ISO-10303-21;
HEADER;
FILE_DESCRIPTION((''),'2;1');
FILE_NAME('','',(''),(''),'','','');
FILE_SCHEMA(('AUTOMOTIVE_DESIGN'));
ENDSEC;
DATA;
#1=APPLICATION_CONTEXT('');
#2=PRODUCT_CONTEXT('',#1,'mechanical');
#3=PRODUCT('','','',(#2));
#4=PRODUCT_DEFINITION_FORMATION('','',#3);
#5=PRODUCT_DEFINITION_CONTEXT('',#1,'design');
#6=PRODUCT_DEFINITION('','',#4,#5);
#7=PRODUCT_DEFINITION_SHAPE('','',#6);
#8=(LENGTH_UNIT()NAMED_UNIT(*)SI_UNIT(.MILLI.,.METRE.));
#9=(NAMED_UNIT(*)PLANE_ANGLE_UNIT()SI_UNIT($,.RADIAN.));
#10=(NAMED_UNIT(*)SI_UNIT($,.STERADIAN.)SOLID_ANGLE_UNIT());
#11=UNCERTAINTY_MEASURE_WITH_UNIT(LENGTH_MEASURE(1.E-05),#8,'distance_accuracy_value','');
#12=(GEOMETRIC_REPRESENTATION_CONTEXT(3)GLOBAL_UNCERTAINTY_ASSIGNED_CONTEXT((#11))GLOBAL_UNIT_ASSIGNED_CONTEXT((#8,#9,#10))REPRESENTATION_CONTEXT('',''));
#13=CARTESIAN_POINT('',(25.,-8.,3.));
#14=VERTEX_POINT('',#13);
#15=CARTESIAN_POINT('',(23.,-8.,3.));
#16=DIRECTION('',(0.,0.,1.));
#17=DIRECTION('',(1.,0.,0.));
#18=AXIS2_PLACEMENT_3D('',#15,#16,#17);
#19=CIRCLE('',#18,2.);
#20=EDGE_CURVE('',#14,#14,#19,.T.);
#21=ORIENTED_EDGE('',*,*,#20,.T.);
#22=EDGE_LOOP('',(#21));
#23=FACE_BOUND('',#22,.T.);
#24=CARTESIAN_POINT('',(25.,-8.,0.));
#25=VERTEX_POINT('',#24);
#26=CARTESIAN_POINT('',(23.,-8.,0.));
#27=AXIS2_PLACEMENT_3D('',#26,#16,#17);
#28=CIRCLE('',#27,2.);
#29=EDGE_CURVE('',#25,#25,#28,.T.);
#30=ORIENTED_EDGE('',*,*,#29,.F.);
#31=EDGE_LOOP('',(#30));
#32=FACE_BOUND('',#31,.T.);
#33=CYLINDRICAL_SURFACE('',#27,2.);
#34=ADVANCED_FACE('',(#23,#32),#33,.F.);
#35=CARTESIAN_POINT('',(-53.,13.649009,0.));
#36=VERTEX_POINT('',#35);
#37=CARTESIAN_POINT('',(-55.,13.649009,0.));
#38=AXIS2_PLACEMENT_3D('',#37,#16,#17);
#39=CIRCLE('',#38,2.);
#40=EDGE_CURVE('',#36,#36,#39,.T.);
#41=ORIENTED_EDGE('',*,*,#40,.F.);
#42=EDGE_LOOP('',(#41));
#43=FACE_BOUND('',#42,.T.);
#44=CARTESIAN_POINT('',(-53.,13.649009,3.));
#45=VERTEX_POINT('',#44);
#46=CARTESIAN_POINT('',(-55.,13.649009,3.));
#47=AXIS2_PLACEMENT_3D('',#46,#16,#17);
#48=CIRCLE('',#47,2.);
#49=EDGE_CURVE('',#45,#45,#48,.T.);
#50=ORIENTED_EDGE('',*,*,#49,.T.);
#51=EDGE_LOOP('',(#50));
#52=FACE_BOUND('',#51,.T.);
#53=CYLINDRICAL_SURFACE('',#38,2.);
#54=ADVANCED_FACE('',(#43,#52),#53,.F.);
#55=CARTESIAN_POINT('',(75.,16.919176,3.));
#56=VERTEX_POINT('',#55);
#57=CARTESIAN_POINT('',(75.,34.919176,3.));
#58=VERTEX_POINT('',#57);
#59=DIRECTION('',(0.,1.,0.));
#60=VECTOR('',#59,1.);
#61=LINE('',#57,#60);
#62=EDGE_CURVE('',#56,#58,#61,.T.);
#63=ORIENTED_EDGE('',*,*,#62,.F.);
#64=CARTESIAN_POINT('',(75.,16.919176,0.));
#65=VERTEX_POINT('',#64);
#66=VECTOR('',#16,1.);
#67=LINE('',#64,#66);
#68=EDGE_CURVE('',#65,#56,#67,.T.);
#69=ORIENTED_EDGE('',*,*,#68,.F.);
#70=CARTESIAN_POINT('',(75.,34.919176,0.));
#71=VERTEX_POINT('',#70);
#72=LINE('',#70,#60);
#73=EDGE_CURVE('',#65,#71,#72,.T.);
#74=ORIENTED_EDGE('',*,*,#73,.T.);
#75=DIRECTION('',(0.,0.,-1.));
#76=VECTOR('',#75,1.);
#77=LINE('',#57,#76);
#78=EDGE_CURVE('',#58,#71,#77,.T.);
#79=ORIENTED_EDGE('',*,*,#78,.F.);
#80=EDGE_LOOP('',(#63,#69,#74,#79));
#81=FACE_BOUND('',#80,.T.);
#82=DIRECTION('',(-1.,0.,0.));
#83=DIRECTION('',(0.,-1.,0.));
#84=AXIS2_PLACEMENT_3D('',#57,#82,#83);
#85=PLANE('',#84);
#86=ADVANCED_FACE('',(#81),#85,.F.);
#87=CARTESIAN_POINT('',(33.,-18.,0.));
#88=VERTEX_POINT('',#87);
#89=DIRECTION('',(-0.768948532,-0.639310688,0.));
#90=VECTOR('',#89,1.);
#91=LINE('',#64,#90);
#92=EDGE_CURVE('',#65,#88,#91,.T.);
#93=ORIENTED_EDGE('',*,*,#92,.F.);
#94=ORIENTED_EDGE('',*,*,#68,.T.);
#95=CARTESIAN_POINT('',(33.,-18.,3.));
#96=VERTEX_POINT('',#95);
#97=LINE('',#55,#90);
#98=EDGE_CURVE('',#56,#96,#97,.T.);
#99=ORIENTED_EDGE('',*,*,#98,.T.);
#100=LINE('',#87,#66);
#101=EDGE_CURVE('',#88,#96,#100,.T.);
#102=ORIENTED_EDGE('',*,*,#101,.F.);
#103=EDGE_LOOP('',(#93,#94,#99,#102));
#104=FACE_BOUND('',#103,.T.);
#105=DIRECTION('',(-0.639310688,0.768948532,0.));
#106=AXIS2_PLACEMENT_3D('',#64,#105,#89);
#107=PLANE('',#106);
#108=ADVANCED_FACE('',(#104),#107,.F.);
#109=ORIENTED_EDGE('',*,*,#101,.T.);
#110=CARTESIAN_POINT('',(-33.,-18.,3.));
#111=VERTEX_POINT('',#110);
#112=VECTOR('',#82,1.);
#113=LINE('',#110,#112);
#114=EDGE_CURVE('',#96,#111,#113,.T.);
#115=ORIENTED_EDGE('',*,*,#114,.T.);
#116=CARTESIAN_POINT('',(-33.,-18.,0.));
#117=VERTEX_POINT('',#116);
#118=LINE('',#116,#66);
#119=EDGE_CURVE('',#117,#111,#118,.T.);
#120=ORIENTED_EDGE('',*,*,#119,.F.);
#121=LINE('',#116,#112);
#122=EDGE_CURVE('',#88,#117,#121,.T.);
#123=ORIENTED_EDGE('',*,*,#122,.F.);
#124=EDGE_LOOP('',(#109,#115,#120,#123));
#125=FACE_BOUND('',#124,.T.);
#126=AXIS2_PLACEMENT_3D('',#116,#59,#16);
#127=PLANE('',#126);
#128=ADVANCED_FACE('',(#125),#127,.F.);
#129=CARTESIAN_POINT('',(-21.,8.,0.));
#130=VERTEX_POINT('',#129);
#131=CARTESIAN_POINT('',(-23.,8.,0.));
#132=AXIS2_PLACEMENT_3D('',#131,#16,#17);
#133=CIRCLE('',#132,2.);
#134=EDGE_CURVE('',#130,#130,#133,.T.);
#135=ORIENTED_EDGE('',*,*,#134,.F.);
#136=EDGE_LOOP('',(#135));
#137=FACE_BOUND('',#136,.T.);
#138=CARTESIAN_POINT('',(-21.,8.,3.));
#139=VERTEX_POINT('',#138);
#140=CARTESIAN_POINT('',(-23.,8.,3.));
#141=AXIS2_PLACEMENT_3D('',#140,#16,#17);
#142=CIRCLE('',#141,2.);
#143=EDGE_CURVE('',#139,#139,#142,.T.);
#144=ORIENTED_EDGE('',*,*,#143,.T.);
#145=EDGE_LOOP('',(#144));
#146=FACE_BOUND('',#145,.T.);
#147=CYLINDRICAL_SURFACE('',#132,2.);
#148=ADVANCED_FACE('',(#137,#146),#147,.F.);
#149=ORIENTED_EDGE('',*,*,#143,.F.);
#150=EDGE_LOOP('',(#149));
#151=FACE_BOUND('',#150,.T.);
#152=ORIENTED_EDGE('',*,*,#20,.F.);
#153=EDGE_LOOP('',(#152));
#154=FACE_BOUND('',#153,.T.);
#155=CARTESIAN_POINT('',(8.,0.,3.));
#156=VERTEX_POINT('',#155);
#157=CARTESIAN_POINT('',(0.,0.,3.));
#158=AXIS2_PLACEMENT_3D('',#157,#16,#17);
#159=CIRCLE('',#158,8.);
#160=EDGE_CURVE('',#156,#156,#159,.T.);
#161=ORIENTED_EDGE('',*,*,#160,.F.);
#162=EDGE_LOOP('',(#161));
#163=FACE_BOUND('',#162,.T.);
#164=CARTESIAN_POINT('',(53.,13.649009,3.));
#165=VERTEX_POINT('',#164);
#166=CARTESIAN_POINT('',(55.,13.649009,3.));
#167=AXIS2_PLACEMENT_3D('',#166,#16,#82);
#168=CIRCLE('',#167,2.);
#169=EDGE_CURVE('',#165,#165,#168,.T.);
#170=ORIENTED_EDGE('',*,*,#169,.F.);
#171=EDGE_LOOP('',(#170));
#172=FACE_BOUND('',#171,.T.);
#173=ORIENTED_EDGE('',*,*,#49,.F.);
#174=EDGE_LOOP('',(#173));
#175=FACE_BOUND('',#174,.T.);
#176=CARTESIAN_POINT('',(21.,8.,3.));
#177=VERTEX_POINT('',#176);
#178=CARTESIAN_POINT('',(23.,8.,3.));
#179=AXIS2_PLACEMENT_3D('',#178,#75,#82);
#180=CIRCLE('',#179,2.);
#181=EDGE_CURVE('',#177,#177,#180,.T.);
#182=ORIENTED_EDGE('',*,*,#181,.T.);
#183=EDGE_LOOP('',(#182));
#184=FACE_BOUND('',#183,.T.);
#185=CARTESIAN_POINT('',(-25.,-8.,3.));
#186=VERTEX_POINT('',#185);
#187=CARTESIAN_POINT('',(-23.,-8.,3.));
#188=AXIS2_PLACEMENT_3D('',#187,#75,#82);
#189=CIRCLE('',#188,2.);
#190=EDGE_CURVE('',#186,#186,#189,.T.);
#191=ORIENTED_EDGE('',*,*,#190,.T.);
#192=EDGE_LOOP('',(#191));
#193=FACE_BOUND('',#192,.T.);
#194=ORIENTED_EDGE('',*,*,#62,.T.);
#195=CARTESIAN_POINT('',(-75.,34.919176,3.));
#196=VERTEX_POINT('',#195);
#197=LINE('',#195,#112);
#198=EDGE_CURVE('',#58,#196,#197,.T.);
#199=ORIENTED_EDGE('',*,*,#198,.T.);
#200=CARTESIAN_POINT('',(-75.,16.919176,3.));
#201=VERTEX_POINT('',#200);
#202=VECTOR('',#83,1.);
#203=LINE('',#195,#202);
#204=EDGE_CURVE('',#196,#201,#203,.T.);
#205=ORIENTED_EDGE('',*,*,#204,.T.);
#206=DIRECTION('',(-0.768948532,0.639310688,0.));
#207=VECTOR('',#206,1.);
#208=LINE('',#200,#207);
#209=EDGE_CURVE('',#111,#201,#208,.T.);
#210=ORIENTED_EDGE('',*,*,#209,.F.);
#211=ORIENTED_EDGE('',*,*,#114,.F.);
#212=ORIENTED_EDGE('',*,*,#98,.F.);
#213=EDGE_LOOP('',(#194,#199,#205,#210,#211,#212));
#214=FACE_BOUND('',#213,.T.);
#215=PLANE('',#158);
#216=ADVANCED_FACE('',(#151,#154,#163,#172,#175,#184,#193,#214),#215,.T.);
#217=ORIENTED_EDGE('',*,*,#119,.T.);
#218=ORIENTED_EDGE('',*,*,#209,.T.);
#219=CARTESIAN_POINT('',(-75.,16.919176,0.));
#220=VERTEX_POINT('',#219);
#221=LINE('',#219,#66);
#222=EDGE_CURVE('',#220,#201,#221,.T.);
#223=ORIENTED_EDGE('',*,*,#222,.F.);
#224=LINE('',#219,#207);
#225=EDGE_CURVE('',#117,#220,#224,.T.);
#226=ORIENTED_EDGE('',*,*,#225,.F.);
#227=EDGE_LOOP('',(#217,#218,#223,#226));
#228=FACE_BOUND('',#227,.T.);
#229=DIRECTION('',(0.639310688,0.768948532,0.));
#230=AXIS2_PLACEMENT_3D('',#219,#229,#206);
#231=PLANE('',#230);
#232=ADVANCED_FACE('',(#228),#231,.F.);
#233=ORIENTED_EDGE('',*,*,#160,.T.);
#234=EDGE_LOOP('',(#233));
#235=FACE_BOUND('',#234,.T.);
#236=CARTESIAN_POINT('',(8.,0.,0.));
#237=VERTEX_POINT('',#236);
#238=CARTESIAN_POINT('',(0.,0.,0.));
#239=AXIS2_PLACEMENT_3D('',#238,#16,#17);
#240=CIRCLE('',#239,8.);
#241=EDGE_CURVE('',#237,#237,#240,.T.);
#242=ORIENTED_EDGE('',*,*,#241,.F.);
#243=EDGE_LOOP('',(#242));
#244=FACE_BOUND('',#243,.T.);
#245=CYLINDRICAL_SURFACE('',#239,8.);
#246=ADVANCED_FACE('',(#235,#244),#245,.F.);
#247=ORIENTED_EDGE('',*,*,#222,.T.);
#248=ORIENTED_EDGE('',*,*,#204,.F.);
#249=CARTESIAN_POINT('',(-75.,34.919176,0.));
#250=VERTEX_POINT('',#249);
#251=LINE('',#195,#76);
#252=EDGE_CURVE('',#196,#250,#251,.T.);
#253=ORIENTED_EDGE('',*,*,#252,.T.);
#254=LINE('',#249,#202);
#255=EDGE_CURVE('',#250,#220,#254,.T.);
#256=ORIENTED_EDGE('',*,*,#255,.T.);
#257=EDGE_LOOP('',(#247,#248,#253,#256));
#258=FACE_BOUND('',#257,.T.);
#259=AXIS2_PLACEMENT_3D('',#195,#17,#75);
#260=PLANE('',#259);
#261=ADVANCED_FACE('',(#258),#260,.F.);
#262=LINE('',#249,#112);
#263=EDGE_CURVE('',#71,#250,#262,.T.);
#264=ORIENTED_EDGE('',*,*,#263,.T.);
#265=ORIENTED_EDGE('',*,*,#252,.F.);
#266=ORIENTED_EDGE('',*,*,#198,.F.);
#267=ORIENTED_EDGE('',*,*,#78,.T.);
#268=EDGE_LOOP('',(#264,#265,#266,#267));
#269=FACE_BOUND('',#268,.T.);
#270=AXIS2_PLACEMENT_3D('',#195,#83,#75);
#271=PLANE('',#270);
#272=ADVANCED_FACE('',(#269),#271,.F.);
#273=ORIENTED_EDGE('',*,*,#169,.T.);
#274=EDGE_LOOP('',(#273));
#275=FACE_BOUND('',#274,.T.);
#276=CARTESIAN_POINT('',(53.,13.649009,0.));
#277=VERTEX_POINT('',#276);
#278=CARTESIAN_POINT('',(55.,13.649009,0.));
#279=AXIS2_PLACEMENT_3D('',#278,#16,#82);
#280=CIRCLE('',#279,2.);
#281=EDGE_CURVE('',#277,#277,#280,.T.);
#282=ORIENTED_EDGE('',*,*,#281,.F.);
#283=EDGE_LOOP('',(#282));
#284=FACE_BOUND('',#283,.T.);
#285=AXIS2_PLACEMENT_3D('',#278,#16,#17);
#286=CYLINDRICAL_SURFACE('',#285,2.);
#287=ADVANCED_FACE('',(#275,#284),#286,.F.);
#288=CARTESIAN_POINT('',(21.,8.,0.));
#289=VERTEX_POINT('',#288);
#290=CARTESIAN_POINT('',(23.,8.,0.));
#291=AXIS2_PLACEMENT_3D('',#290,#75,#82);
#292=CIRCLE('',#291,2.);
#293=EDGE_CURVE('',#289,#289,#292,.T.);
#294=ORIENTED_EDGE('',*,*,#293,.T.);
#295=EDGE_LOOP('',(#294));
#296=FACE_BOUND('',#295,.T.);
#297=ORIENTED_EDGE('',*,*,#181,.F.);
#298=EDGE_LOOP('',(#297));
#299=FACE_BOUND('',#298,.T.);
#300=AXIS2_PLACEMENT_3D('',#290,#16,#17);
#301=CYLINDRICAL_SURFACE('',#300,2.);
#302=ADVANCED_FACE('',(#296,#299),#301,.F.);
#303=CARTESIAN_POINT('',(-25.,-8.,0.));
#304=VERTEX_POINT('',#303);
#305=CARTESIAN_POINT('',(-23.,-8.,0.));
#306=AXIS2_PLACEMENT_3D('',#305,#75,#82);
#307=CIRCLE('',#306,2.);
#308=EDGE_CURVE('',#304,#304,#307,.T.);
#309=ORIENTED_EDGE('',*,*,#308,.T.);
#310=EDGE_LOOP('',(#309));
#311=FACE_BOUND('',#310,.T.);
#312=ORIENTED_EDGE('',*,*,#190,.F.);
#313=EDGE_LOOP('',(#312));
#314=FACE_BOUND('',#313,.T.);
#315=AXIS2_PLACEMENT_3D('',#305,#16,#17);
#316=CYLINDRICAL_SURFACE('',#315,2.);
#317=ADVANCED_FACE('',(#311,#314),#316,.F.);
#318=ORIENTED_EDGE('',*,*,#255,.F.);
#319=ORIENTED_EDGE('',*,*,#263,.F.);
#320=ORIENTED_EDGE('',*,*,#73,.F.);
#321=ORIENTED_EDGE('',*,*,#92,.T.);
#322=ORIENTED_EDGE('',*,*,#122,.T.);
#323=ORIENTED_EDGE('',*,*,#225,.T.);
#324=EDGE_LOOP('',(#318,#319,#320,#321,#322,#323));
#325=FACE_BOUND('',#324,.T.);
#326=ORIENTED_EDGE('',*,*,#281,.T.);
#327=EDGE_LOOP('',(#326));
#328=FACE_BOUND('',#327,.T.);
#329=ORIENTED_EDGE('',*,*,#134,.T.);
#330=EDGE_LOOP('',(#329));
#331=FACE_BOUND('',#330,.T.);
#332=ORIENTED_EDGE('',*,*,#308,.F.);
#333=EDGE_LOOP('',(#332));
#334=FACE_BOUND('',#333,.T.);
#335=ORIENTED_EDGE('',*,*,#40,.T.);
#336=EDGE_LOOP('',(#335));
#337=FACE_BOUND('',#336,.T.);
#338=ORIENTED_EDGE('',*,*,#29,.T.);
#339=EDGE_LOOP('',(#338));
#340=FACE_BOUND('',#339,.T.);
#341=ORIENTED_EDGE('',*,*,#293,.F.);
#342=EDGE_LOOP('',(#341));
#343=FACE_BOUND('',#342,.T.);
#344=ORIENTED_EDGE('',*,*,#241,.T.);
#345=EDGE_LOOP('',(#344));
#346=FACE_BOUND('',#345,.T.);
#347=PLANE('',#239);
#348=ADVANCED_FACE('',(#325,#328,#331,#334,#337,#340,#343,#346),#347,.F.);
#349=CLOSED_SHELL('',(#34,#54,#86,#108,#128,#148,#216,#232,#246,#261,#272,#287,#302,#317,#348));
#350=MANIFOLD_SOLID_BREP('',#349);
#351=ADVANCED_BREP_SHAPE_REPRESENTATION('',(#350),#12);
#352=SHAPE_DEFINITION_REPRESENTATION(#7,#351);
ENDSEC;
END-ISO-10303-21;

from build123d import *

# Parameters (mm, degrees)
SKETCH_1_W          = 150
SKETCH_1_H          = 70
EXTRUDE_1_DEPTH     = 3
SKETCH_2_R          = 8
CUT_EXTRUDE_1_DEPTH = 83.853269287
SKETCH_3_R          = 2
CUT_EXTRUDE_2_DEPTH = 83.853269287
SKETCH_4_R          = 2
CUT_EXTRUDE_3_DEPTH = 83.853269287
CUT_EXTRUDE_4_DEPTH = 83.853269287


with BuildPart() as part:
    # 스케치1 → 보스-돌출1 (new body)
    with BuildSketch(Plane.XY):
        with Locations((0, -0.080824272)):
            Rectangle(SKETCH_1_W, SKETCH_1_H)
    extrude(amount=EXTRUDE_1_DEPTH)

    # 스케치2 → 컷-돌출1 (cut, through all)
    with BuildSketch(Plane.XY.offset(3)):
        Circle(SKETCH_2_R)
    extrude(amount=-CUT_EXTRUDE_1_DEPTH, mode=Mode.SUBTRACT)

    # 스케치3 → 컷-돌출2 (cut, through all)
    with BuildSketch(Plane.XY.offset(3)):
        with Locations((-23, 8)):
            Circle(SKETCH_3_R)
        with Locations(Location((-23, -8, 0), (0, 0, 180))):
            Circle(SKETCH_3_R)
        with Locations((23, -8)):
            Circle(SKETCH_3_R)
        with Locations(Location((23, 8, 0), (0, 0, 180))):
            Circle(SKETCH_3_R)
    extrude(amount=-CUT_EXTRUDE_2_DEPTH, mode=Mode.SUBTRACT)

    # 스케치4 → 컷-돌출3 (cut, through all)
    with BuildSketch(Plane.XY.offset(3)):
        with Locations((-55, 13.64900919)):
            Circle(SKETCH_4_R)
        with Locations((-65, -25.080824272)):
            Circle(SKETCH_4_R)
        with Locations(Location((65, -25.080824272, 0), (0, 0, 180))):
            Circle(SKETCH_4_R)
        with Locations(Location((55, 13.64900919, 0), (0, 0, 180))):
            Circle(SKETCH_4_R)
    extrude(amount=-CUT_EXTRUDE_3_DEPTH, mode=Mode.SUBTRACT)

    # 스케치5 → 컷-돌출4 (cut, through all)
    with BuildSketch(Plane.XY.offset(3)):
        Polygon((-75, 16.919175728), (-33, -18), (33, -18), (75, 16.919175728), (75, -35.080824272), (-75, -35.080824272), (-75, -27.080824272), align=None)
    extrude(amount=-CUT_EXTRUDE_4_DEPTH, mode=Mode.SUBTRACT)


solid = part.part
